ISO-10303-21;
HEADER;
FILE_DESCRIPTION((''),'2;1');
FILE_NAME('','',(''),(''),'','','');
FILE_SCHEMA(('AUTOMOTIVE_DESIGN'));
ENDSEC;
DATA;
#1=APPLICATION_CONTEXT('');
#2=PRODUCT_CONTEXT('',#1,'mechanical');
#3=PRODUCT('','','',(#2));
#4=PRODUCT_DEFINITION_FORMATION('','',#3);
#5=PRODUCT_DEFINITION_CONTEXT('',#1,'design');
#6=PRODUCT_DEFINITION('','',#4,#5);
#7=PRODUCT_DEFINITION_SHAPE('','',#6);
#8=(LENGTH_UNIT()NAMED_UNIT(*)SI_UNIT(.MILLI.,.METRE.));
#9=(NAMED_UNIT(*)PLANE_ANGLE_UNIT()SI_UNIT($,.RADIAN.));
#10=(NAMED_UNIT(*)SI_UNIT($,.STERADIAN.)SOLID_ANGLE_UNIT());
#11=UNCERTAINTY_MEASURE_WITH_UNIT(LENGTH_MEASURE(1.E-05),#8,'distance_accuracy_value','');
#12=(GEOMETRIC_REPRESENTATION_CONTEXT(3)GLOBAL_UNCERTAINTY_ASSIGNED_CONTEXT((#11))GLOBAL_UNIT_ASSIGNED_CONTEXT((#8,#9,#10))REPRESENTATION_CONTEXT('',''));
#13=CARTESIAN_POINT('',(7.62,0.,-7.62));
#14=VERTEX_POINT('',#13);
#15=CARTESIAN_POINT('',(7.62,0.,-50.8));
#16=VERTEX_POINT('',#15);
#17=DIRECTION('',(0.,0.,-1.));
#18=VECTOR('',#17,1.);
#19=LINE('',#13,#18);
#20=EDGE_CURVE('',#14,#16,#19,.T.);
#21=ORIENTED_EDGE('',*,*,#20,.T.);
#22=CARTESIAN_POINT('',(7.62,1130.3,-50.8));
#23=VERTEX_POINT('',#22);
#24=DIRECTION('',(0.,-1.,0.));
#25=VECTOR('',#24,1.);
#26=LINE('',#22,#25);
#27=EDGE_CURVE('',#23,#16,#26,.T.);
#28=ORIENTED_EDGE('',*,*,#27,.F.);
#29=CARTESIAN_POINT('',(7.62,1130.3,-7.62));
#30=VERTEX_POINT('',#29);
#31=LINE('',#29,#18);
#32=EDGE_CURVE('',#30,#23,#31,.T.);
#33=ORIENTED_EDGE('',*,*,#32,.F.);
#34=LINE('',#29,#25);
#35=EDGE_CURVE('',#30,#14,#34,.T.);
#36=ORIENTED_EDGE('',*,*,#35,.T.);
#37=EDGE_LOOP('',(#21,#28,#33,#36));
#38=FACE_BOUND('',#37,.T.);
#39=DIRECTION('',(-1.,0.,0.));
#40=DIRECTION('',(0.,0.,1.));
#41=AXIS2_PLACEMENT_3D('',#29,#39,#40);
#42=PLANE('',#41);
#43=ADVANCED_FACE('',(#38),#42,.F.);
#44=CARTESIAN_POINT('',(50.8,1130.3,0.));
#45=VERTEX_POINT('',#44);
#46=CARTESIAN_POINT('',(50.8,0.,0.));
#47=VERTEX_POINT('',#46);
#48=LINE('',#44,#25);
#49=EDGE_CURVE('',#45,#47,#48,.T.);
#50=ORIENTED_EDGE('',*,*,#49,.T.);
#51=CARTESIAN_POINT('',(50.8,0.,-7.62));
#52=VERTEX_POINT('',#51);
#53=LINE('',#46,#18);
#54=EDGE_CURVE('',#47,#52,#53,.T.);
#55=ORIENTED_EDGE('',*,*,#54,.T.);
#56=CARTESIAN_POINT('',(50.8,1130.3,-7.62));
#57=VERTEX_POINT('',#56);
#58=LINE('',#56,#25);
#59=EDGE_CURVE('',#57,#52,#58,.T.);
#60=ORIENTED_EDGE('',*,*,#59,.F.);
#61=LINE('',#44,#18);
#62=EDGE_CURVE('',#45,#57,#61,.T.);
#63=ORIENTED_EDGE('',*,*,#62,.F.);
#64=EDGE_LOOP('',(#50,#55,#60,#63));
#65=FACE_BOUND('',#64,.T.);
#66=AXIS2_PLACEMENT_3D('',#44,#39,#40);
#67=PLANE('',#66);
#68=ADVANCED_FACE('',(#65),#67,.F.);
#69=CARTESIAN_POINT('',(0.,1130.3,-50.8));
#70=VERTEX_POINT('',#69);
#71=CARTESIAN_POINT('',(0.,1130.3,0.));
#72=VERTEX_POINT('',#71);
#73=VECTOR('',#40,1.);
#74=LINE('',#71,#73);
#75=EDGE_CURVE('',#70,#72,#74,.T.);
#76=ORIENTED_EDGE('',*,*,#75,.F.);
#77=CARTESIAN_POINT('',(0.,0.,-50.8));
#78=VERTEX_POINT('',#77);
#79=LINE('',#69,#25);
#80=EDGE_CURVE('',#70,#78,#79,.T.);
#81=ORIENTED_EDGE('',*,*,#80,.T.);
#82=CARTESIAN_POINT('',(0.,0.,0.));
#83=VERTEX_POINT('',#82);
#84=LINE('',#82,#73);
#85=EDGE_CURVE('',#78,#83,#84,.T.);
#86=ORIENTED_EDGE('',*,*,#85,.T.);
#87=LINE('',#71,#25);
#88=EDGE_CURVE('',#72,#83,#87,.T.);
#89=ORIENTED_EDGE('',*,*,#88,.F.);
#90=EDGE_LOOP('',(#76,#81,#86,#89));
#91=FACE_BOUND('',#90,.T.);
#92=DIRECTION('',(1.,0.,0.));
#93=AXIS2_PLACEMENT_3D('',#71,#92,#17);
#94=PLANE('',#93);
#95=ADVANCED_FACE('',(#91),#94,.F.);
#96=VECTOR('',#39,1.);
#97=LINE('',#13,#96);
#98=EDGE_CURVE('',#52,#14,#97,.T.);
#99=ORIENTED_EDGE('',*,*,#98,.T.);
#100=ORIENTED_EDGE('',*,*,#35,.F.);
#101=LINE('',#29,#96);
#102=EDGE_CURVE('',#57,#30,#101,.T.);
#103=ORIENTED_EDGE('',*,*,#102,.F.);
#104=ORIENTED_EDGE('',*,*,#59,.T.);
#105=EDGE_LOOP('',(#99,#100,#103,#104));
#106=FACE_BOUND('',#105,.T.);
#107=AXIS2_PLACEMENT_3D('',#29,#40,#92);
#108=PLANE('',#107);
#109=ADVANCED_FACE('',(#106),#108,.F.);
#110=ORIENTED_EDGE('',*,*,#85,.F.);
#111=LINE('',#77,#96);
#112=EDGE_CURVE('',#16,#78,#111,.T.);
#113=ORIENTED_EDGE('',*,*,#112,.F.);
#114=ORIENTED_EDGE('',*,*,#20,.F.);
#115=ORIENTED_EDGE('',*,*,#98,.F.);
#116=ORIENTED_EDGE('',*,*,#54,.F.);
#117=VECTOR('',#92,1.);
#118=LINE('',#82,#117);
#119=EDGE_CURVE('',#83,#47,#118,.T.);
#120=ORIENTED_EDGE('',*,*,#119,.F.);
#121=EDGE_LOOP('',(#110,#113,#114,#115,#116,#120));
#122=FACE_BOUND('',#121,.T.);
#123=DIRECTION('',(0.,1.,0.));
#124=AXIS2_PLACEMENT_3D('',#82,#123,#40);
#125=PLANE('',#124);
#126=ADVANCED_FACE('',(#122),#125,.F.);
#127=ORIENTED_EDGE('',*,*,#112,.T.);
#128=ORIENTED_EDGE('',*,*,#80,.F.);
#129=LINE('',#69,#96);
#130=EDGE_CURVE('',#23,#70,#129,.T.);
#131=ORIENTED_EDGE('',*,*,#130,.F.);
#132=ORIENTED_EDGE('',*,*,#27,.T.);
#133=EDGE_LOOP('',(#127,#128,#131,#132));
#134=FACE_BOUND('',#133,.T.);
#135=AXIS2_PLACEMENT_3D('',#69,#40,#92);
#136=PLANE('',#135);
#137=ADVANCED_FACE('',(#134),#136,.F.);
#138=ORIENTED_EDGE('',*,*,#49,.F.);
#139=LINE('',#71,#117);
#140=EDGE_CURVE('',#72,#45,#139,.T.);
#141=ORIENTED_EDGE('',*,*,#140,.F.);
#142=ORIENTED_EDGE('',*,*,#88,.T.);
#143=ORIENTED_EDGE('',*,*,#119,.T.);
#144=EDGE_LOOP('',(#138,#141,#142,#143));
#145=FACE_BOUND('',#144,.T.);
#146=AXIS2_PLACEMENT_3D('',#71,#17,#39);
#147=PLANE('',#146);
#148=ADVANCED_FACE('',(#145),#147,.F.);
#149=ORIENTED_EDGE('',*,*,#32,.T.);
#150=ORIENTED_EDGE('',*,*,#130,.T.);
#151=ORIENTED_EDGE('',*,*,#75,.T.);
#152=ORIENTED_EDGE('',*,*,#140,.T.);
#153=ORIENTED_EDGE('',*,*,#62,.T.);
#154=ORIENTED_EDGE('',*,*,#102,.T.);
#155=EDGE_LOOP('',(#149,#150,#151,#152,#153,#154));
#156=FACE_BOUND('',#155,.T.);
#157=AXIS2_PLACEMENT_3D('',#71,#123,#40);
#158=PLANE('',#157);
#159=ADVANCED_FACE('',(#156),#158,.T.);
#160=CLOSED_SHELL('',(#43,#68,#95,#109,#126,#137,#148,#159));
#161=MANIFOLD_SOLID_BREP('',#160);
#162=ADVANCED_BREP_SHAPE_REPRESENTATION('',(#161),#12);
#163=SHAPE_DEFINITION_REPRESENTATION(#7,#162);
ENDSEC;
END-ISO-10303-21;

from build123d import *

# Parameters (mm, degrees)
BOSS_EXTRUDE1_DEPTH = 1130.3


with BuildPart() as part:
    # Sketch1 → Boss-Extrude1 (new body)
    with BuildSketch(Plane(origin=(0, 0, 0), x_dir=(1, 0, 0), z_dir=(0, 1, 0))):
        Polygon((0, 0), (0, 50.8), (7.62, 50.8), (7.62, 7.62), (50.8, 7.62), (50.8, 0), align=None)
    extrude(amount=BOSS_EXTRUDE1_DEPTH)


solid = part.part
